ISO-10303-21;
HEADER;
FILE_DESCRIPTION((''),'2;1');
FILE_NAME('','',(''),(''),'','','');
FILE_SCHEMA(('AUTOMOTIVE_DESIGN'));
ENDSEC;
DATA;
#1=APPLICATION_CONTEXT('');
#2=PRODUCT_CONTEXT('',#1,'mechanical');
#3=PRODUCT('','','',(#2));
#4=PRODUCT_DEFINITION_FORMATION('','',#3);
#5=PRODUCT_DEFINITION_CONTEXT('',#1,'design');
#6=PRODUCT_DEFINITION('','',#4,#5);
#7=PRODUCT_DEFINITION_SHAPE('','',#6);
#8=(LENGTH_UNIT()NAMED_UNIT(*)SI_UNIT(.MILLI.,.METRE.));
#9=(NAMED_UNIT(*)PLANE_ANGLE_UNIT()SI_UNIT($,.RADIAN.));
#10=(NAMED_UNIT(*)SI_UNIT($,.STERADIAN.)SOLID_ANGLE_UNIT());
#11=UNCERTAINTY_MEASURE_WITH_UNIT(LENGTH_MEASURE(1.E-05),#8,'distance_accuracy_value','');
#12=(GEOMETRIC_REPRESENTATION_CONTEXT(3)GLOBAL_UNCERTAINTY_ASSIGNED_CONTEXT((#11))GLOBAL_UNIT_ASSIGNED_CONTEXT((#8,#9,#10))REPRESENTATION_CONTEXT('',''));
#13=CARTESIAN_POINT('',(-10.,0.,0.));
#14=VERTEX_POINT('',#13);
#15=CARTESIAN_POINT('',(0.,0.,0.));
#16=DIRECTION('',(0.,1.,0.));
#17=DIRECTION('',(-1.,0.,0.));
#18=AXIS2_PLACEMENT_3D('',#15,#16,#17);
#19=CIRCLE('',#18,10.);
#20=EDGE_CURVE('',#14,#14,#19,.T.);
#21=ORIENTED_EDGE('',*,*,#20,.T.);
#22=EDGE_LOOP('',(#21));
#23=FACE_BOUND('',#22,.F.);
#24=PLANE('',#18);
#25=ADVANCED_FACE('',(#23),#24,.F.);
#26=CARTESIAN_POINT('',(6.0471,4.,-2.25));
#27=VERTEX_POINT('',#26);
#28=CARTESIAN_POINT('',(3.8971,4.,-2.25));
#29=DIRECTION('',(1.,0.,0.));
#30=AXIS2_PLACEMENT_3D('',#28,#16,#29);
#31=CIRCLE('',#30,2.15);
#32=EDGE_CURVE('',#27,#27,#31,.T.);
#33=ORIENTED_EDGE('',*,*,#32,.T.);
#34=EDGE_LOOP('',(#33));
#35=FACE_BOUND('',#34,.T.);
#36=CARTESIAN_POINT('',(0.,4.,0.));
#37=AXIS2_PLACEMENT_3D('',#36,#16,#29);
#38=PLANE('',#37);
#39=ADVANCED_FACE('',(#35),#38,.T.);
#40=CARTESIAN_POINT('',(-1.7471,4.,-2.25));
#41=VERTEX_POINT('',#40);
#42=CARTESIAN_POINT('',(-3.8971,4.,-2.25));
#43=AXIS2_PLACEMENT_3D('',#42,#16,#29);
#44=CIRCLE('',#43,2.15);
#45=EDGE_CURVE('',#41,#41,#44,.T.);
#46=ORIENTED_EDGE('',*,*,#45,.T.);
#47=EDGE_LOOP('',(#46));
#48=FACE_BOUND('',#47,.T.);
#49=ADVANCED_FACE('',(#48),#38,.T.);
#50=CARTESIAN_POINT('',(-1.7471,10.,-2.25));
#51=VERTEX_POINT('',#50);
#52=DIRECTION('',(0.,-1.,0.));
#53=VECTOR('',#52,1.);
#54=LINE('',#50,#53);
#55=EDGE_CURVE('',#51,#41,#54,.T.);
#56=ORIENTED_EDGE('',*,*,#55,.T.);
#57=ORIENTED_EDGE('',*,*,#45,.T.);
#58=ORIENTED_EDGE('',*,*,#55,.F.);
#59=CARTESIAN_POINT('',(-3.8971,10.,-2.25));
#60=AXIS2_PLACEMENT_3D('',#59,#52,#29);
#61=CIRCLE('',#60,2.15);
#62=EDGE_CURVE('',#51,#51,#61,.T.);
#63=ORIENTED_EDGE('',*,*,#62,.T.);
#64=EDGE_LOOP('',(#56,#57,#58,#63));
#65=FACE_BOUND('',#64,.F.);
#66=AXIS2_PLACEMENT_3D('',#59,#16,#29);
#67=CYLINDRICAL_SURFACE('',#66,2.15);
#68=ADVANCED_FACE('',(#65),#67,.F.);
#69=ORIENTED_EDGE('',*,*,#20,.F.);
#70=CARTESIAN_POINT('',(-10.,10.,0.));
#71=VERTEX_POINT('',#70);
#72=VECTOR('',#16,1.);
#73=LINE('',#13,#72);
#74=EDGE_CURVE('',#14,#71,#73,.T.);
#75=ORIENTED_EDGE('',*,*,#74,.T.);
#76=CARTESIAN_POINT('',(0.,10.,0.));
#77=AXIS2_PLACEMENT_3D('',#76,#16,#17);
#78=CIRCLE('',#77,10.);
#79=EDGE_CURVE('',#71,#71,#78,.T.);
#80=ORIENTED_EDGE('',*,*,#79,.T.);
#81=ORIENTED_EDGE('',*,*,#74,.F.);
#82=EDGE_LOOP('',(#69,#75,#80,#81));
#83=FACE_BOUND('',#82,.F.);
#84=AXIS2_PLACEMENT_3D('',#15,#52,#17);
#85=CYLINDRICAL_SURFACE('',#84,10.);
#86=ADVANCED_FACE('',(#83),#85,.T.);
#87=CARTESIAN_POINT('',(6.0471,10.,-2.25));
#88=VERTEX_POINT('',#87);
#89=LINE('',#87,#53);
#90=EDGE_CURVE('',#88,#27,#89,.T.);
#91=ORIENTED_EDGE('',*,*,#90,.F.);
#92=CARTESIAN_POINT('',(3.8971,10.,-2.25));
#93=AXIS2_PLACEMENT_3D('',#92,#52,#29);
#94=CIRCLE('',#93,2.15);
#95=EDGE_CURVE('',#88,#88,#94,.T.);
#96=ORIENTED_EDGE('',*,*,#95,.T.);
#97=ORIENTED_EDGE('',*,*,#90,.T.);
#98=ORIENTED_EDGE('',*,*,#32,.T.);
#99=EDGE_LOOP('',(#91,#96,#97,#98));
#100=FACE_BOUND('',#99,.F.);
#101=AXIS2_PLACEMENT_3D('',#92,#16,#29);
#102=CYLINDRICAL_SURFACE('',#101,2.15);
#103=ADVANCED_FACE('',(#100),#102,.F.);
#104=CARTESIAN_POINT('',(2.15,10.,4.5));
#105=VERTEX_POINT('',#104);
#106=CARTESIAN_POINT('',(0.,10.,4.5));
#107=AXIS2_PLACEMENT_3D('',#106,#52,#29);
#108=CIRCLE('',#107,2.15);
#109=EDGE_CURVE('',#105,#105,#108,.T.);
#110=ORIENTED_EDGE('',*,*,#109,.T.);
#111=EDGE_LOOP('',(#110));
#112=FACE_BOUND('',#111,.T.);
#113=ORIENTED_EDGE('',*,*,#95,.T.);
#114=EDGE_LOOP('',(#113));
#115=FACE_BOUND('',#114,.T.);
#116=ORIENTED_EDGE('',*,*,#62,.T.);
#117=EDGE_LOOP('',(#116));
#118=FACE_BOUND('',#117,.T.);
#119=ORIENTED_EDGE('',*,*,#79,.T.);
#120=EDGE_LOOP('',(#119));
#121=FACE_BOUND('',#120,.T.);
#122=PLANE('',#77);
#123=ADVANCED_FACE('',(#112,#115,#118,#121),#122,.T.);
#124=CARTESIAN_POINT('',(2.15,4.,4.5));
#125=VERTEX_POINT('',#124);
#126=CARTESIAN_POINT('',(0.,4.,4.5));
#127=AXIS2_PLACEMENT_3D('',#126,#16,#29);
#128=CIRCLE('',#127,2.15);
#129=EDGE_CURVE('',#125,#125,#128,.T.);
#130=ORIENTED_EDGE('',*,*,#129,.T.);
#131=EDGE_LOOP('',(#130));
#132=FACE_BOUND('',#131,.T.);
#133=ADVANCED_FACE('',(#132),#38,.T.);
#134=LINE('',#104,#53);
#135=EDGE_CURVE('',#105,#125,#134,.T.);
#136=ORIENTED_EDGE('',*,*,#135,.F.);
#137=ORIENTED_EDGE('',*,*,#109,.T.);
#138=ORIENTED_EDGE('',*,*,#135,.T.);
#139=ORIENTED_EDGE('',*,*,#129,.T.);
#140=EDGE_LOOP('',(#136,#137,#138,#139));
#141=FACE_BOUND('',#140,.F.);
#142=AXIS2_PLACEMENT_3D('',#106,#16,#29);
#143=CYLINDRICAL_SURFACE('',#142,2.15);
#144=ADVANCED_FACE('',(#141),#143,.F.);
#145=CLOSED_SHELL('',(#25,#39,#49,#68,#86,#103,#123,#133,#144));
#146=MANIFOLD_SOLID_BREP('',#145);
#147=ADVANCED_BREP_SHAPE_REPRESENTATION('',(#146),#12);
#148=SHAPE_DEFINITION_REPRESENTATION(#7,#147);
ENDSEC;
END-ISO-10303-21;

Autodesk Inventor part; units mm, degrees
ref_plane "YZ Plane" through (0, 0, 0) normal (1, 0, 0) x (0, 1, 0)
ref_plane "XZ Plane" through (0, 0, 0) normal (0, 1, 0) x (-1, 0, 0)
ref_plane "XY Plane" through (0, 0, 0) normal (0, 0, 1) x (1, 0, 0)
sketch "Skizze1" plane through (0, 0, 0) normal (0, 1, 0) x (-1, 0, 0)
  circle A0 centre (0, 0) radius 10
  dimension "d0" = 20
extrude "Extrusion1" add sketch "Skizze1" along normal blind 10
sketch "Skizze2" plane through (0, 10, 0) normal (0, 1, 0) x (1, 0, 0)
  line L0 (14, 0) -> (-14, 0) projected
  line L1 (0, 14) -> (0, -14) projected
  line L2 (-3.8971, 2.25) -> (0, 0)
  line L3 (0, 0) -> (3.8971, 2.25)
  line L4 (0, 0) -> (0, -4.5)
  circle A0 centre (-3.8971, 2.25) radius 2.15
  circle A1 centre (3.8971, 2.25) radius 2.15
  circle A2 centre (0, -4.5) radius 2.15
  dimension "d17" = 4.5
  dimension "d18" = 4.5
  dimension "d19" = 4.5
  dimension "d20" = 120
  dimension "d21" = 120
  dimension "d22" = 4.3
  dimension "d23" = 4.3
  dimension "d24" = 4.3
extrude "Extrusion3" cut sketch "Skizze2" against normal blind 6
sketch "Skizze3" plane through (0, 10, 0) normal (0, 1, 0) x (1, 0, 0)
  circle A0 centre (-3.8971, 2.25) radius 2.15 projected
  circle A1 centre (3.8971, 2.25) radius 2.15 projected
  circle A2 centre (0, -4.5) radius 2.15 projected
  circle A3 centre (-3.8971, 2.25) radius 2.15 projected
  circle A4 centre (-3.8971, 2.25) radius 3
  circle A5 centre (3.8971, 2.25) radius 3
  circle A6 centre (0, -4.5) radius 3
  point P0 (0, 0)
  dimension "d27" = 6
  dimension "d28" = 6
  dimension "d29" = 6
properties part number "Fahrwerk_Fix_test"
